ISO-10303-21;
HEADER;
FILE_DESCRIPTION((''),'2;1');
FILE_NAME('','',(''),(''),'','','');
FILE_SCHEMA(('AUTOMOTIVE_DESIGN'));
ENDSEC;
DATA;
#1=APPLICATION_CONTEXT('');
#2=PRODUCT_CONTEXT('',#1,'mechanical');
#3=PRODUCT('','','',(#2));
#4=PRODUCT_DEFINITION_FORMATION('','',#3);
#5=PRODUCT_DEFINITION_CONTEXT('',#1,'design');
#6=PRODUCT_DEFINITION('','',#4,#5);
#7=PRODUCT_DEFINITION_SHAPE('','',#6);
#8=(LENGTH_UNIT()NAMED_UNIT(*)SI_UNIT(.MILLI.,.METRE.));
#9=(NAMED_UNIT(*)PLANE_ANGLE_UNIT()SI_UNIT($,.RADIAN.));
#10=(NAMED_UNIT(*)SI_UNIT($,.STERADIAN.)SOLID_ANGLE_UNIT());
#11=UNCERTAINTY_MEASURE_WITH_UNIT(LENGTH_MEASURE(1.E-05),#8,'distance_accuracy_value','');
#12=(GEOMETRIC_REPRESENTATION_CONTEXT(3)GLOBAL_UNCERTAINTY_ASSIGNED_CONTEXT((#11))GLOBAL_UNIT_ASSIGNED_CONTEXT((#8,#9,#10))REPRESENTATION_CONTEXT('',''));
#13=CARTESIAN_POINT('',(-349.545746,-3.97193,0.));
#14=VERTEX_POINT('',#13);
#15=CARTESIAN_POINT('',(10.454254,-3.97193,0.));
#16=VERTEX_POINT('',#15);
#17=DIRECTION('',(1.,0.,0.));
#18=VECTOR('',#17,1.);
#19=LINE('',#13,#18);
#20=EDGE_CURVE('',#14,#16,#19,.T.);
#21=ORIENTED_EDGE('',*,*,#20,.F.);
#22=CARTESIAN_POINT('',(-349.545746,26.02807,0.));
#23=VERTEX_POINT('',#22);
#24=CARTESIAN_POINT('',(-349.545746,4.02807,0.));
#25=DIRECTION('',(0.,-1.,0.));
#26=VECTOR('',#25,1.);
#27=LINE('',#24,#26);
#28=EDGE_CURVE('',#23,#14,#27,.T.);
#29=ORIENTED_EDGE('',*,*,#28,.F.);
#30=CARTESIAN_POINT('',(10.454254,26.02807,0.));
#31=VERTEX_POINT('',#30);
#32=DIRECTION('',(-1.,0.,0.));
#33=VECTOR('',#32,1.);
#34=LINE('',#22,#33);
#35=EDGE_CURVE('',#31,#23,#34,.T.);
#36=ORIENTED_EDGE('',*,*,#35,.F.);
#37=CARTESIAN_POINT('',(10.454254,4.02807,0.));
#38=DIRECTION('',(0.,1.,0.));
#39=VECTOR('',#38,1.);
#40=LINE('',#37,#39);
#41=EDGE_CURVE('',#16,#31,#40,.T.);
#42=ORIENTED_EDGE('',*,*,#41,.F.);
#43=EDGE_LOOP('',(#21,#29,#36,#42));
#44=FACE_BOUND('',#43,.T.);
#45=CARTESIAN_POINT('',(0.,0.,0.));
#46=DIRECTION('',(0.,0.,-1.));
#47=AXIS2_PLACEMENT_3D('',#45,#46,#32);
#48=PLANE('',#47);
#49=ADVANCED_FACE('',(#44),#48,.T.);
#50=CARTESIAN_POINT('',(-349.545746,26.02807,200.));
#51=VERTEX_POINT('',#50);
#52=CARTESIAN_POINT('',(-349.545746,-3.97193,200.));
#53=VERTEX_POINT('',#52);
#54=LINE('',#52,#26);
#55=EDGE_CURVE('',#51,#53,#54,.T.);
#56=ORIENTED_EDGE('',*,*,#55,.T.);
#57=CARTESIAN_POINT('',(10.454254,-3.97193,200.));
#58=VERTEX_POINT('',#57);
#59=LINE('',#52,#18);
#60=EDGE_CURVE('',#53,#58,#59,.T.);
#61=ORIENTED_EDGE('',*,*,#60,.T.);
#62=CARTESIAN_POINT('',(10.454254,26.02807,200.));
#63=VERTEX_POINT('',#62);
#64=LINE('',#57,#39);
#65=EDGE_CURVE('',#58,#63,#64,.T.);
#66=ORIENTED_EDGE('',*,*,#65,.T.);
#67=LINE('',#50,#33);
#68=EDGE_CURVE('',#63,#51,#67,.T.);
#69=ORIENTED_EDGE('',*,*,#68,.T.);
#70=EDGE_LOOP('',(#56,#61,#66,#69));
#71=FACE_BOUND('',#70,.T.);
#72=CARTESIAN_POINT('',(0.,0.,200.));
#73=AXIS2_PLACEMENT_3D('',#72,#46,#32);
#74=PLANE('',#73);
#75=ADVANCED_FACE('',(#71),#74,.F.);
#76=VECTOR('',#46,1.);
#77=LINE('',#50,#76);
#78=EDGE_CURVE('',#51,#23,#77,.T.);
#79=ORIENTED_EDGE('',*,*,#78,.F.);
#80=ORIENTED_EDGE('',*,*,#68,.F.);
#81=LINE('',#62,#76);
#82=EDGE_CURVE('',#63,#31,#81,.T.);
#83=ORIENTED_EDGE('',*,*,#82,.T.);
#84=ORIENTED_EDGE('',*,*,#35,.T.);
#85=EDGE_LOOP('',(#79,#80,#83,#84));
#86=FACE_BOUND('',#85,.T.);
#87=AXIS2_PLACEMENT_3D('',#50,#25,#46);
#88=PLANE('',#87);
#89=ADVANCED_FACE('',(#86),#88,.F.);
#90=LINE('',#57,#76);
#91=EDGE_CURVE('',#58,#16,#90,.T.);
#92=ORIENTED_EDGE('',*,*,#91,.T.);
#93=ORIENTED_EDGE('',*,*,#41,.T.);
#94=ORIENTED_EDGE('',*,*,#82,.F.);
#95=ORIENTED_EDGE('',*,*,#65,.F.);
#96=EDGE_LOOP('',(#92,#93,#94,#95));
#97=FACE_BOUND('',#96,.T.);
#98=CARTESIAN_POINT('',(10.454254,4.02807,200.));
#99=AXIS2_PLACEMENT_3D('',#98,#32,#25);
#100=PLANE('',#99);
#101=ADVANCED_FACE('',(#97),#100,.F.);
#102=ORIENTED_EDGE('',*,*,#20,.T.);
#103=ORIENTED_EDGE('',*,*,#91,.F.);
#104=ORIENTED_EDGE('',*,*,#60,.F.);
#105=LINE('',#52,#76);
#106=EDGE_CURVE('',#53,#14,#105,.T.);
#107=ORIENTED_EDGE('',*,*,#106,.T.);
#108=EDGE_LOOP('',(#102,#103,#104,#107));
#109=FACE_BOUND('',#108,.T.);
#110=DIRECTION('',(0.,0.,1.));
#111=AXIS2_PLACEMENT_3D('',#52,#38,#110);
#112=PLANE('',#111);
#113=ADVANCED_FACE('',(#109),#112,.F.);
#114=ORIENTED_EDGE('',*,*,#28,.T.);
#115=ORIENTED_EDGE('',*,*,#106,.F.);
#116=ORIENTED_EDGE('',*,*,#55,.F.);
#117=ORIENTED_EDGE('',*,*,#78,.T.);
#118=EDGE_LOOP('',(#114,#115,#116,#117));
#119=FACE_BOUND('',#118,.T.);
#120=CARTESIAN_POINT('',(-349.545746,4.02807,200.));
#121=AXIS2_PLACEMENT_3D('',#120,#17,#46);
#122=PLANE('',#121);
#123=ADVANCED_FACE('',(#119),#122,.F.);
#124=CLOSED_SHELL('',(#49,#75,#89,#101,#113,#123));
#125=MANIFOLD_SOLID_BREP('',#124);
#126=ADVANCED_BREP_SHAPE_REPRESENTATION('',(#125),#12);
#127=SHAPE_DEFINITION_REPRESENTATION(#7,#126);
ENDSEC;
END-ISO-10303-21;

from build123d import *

# Parameters (mm, degrees)
EXTRUDE_1_DEPTH = 200


with BuildPart() as part:
    # 草图1 → 凸台-拉伸1 (new body)
    with BuildSketch(Plane.XY):
        Polygon((-349.545746258, -3.971929793), (10.454253742, -3.971929793), (10.454253742, 4.028070207), (10.454253742, 26.028070207), (-349.545746258, 26.028070207), (-349.545746258, 4.028070207), align=None)
    extrude(amount=EXTRUDE_1_DEPTH)


solid = part.part
